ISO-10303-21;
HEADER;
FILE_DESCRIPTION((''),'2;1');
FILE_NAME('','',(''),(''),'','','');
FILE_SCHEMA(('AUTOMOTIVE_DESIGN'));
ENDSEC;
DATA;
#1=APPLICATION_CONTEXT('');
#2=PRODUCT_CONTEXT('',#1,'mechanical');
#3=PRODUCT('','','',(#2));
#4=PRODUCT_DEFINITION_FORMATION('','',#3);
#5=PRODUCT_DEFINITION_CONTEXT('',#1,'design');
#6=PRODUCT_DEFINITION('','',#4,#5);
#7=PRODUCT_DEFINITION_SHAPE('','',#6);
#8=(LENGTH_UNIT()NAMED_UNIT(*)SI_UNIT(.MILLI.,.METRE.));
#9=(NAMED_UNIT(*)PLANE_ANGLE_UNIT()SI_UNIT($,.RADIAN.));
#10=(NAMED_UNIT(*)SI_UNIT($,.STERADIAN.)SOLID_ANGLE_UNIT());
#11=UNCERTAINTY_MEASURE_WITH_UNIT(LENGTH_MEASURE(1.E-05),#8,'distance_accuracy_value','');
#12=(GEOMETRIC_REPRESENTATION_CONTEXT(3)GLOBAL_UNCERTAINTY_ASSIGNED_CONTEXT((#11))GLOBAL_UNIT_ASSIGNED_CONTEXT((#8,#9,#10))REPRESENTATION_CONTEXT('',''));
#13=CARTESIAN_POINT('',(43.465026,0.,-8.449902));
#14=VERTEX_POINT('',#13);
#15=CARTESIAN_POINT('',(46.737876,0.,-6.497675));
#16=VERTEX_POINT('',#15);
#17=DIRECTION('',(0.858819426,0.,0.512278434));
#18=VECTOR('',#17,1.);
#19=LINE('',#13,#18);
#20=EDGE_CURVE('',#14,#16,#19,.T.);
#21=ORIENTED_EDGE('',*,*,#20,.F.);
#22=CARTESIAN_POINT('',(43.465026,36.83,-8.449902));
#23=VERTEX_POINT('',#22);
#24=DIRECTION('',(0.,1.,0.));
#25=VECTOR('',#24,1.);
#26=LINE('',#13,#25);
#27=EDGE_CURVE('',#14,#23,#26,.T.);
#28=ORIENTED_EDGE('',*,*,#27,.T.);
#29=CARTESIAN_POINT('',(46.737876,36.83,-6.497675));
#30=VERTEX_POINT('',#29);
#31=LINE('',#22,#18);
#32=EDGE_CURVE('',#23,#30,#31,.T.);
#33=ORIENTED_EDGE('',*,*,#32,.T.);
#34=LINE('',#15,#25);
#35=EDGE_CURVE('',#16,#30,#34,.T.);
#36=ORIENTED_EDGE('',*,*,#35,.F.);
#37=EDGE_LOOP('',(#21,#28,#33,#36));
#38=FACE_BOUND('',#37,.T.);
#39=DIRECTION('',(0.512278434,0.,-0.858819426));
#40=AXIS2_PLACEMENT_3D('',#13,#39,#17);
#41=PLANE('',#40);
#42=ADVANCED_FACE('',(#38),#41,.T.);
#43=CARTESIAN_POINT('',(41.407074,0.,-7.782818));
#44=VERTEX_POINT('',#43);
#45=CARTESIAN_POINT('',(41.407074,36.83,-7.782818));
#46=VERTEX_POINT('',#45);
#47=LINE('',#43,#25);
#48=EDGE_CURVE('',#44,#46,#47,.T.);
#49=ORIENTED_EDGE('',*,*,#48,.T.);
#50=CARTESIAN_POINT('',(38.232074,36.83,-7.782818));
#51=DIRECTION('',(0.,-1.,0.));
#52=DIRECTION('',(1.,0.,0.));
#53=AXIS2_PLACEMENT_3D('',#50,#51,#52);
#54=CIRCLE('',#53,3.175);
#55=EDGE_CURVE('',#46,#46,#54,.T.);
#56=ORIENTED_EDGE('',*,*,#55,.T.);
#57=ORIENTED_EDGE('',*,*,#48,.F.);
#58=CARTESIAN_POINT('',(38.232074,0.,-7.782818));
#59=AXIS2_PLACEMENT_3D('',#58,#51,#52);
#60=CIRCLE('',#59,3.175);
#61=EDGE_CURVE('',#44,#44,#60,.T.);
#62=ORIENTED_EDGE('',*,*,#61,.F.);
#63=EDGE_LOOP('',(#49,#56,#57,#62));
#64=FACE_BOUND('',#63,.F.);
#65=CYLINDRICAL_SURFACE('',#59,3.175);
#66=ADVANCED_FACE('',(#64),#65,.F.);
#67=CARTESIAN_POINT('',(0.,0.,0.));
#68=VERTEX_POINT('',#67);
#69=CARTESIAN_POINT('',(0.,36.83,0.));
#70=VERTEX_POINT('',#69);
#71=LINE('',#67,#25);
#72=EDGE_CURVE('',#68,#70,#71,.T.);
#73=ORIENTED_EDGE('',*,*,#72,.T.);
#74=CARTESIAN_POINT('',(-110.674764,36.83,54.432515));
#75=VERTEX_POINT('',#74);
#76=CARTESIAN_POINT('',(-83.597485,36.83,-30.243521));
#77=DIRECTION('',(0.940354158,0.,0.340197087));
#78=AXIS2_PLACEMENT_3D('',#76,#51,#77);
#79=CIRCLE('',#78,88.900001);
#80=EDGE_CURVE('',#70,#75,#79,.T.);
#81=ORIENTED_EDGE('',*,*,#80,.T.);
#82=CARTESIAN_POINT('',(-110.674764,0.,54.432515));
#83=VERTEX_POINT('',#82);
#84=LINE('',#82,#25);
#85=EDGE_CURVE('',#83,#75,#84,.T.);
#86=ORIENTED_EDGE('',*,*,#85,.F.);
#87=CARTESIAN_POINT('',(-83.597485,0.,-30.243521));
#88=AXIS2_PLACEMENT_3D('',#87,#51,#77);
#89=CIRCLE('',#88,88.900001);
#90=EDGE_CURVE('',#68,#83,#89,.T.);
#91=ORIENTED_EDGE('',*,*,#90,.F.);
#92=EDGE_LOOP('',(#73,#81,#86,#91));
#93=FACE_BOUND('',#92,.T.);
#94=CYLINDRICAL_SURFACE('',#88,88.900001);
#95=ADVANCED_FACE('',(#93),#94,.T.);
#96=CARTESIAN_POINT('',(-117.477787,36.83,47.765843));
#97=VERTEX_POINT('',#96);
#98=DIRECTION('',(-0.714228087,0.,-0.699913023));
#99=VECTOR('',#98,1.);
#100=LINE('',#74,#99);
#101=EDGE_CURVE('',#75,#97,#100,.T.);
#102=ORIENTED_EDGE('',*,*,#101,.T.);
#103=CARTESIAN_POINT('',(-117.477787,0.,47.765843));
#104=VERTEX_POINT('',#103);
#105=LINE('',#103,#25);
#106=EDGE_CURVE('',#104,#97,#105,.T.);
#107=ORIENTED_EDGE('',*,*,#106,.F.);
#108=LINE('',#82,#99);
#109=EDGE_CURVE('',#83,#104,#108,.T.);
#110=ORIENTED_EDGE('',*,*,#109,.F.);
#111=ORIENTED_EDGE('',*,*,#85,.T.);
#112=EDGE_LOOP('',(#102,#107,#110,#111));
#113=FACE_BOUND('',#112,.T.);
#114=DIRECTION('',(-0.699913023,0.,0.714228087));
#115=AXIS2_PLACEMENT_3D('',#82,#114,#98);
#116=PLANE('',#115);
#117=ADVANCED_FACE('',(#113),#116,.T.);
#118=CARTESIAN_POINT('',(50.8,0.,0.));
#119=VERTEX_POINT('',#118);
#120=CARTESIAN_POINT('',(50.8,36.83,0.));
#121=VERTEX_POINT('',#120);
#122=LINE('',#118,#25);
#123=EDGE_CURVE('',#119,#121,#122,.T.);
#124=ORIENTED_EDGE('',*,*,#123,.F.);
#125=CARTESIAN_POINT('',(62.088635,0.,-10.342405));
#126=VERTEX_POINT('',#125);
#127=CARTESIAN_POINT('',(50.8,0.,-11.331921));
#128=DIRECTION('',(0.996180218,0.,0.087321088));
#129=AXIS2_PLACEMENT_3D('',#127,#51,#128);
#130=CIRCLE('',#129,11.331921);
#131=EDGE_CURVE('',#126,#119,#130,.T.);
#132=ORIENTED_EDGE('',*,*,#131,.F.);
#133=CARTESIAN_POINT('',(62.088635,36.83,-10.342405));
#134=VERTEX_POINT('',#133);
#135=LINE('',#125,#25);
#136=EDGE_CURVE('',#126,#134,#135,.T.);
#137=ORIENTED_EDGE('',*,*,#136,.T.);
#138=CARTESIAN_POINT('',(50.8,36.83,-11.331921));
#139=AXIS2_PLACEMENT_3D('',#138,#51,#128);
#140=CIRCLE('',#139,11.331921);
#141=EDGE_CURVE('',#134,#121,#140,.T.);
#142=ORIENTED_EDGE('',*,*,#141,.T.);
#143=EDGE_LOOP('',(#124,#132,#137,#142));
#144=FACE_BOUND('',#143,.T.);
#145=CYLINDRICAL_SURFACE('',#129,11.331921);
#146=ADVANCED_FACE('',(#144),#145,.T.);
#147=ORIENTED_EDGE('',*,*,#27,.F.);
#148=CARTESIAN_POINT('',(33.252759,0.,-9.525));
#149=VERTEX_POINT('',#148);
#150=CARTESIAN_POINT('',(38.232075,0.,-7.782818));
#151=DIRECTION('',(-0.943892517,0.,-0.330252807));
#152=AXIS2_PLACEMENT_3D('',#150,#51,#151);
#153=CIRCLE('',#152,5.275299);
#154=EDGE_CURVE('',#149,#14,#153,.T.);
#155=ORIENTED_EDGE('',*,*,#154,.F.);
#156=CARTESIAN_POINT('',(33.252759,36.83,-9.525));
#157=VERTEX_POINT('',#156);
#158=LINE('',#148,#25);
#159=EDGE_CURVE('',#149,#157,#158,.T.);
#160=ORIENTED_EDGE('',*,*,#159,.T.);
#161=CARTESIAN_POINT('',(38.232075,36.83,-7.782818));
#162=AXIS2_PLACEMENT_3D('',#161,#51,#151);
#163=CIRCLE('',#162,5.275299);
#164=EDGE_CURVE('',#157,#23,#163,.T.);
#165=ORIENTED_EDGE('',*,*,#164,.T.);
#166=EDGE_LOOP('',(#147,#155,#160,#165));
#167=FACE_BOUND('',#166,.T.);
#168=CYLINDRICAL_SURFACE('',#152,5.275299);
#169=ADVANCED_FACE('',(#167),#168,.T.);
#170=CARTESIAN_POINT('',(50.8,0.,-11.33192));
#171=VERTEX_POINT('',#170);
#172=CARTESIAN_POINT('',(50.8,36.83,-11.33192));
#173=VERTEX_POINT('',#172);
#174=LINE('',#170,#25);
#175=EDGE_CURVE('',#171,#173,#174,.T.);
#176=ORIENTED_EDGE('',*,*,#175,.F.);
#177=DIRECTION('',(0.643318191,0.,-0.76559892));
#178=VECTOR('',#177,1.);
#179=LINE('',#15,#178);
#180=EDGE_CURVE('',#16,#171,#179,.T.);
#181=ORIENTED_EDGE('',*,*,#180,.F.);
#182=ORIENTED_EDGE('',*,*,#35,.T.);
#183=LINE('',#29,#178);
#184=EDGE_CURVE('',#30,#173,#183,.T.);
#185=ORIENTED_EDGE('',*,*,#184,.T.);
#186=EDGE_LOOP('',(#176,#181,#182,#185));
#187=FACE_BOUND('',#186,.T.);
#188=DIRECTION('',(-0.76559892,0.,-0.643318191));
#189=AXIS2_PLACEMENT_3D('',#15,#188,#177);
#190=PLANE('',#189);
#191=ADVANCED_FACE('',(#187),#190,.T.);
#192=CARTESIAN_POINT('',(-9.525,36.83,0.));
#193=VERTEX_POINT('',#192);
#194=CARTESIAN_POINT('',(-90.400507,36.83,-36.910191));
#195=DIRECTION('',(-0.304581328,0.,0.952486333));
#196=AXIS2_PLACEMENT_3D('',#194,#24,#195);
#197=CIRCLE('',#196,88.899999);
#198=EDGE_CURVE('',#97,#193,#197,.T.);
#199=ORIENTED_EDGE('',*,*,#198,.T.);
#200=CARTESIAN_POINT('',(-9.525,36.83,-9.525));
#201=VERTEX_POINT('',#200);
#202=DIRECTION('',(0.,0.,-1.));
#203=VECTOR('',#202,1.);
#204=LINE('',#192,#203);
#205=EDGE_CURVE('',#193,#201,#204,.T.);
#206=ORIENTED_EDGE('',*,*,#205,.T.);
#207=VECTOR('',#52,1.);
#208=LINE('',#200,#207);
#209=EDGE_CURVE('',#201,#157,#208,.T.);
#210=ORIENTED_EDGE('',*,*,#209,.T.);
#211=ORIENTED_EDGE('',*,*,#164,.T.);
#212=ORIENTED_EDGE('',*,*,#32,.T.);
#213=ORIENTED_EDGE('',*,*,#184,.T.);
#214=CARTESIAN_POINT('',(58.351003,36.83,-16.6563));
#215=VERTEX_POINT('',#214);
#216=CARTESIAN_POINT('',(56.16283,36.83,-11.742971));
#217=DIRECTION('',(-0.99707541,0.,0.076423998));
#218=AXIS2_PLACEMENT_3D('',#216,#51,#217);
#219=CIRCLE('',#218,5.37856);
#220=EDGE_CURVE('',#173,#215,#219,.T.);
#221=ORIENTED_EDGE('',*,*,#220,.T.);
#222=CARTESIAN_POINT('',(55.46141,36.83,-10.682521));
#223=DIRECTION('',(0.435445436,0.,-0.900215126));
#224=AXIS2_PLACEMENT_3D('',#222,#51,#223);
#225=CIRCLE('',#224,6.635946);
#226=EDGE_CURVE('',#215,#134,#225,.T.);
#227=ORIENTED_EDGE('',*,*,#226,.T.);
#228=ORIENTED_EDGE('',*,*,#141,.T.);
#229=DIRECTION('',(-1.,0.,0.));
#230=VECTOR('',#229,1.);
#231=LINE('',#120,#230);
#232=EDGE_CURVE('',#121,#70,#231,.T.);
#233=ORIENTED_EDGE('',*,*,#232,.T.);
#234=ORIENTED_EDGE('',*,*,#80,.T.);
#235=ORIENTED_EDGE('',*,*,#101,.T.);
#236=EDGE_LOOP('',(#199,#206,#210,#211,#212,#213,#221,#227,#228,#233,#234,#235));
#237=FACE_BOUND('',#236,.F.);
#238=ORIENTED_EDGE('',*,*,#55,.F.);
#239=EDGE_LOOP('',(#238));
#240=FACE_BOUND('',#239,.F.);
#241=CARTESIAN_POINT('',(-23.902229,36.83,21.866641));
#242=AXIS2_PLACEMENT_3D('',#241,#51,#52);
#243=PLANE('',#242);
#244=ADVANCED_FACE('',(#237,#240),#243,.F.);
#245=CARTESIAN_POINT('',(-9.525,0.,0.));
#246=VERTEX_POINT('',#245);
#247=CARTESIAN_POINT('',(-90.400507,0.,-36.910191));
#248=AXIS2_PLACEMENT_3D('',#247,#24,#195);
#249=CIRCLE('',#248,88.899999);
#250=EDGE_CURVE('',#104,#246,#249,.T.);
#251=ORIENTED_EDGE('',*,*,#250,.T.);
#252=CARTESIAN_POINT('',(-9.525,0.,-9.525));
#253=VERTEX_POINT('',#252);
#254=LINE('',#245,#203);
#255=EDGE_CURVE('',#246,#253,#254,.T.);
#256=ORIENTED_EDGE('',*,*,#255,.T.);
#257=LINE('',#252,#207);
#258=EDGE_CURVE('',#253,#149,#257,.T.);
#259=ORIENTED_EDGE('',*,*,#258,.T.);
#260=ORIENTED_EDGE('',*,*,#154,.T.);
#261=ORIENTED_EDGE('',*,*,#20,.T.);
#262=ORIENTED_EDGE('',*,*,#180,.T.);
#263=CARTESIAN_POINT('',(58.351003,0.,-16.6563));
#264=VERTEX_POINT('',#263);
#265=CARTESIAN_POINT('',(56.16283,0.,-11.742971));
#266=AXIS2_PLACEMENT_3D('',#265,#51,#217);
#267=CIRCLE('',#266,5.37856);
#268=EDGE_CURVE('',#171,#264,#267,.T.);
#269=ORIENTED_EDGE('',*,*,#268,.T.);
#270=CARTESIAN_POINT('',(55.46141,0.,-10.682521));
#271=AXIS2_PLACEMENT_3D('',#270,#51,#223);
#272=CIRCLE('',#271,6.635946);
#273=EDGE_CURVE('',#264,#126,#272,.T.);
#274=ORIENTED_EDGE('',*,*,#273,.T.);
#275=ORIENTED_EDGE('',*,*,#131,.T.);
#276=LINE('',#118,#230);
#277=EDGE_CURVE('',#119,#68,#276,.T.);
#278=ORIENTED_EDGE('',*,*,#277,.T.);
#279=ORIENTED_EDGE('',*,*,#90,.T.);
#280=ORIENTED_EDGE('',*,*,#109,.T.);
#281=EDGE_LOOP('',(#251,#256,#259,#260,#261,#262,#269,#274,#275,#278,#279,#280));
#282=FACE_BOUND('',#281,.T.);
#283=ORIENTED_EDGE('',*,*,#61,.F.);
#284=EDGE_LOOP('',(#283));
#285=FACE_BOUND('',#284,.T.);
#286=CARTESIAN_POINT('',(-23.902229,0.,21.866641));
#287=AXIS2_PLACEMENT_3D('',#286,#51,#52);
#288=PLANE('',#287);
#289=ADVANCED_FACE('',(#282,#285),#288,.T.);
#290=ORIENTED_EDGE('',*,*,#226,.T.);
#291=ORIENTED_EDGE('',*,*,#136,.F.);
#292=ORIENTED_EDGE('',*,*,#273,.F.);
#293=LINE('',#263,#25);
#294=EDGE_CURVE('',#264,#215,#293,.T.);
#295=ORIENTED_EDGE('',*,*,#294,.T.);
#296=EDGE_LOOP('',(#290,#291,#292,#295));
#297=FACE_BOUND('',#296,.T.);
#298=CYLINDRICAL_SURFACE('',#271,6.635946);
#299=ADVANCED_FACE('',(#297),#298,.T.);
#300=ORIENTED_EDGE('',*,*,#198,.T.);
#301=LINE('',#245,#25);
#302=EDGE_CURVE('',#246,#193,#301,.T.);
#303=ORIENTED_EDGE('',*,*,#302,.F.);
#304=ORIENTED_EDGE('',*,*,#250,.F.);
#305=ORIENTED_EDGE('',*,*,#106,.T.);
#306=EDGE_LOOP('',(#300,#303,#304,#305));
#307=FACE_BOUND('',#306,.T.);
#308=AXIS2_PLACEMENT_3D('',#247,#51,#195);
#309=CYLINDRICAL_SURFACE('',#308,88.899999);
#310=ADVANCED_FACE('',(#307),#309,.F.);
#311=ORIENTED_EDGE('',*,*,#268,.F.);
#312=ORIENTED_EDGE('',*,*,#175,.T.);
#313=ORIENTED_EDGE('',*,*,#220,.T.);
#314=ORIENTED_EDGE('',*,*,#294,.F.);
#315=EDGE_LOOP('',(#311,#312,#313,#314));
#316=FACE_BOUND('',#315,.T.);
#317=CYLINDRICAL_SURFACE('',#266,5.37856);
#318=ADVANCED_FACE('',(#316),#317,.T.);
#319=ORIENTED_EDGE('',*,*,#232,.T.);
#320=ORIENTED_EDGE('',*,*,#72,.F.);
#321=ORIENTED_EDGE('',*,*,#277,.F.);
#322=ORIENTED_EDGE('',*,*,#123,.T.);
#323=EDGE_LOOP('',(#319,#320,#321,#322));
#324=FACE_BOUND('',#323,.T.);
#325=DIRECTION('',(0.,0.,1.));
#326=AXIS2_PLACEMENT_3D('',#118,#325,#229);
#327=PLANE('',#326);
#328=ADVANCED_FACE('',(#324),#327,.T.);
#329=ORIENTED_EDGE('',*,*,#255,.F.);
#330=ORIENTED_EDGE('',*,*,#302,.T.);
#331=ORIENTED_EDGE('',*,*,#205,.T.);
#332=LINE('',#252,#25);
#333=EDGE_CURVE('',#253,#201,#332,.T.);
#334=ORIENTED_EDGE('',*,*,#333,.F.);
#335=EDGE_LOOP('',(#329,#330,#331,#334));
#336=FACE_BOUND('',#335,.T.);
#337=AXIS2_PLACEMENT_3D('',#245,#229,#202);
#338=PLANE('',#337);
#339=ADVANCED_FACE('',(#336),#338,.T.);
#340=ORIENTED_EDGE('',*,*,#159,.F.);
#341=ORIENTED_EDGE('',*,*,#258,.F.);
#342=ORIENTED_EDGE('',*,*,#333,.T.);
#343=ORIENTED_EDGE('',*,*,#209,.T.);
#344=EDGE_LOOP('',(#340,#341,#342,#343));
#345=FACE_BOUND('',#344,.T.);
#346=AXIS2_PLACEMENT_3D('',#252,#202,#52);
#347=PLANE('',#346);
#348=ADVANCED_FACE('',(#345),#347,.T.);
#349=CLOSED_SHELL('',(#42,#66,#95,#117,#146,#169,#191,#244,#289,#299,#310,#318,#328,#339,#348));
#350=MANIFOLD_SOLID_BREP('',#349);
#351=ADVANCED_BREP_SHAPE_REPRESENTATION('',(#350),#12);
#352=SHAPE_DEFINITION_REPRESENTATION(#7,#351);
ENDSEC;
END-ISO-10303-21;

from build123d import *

# Parameters (mm, degrees)
F0_R     = 3.175
F1_DEPTH = 36.83


with BuildPart() as f1:
    # F0 (on Front) → F1 (new body)
    with BuildSketch(Plane.XZ):
        with BuildLine():
            ThreePointArc((62.088635, -10.342405), (58.455041, -2.976517), (50.8, 0))
            Line((50.8, 0), (0, 0))
            ThreePointArc((0, 0), (-44.362831, 49.530234), (-110.674764, 54.432515))
            Line((-110.674764, 54.432515), (-117.477787, 47.765843))
            ThreePointArc((-117.477787, 47.765843), (-54.428904, 44.387125), (-9.525, 0))
            Line((-9.525, 0), (-9.525, -9.525))
            Line((-9.525, -9.525), (33.252759, -9.525))
            ThreePointArc((33.252759, -9.525), (38.78438, -13.029125), (43.465026, -8.449902))
            Line((43.465026, -8.449902), (46.737876, -6.497675))
            Line((46.737876, -6.497675), (50.8, -11.33192))
            ThreePointArc((50.8, -11.33192), (53.063335, -16.138655), (58.351003, -16.6563))
            ThreePointArc((58.351003, -16.6563), (61.171819, -14.062908), (62.088635, -10.342405))
        make_face()
        with Locations((38.232074, -7.782818)):
            Circle(F0_R, mode=Mode.SUBTRACT)
    extrude(amount=-F1_DEPTH)


solid = f1.part
